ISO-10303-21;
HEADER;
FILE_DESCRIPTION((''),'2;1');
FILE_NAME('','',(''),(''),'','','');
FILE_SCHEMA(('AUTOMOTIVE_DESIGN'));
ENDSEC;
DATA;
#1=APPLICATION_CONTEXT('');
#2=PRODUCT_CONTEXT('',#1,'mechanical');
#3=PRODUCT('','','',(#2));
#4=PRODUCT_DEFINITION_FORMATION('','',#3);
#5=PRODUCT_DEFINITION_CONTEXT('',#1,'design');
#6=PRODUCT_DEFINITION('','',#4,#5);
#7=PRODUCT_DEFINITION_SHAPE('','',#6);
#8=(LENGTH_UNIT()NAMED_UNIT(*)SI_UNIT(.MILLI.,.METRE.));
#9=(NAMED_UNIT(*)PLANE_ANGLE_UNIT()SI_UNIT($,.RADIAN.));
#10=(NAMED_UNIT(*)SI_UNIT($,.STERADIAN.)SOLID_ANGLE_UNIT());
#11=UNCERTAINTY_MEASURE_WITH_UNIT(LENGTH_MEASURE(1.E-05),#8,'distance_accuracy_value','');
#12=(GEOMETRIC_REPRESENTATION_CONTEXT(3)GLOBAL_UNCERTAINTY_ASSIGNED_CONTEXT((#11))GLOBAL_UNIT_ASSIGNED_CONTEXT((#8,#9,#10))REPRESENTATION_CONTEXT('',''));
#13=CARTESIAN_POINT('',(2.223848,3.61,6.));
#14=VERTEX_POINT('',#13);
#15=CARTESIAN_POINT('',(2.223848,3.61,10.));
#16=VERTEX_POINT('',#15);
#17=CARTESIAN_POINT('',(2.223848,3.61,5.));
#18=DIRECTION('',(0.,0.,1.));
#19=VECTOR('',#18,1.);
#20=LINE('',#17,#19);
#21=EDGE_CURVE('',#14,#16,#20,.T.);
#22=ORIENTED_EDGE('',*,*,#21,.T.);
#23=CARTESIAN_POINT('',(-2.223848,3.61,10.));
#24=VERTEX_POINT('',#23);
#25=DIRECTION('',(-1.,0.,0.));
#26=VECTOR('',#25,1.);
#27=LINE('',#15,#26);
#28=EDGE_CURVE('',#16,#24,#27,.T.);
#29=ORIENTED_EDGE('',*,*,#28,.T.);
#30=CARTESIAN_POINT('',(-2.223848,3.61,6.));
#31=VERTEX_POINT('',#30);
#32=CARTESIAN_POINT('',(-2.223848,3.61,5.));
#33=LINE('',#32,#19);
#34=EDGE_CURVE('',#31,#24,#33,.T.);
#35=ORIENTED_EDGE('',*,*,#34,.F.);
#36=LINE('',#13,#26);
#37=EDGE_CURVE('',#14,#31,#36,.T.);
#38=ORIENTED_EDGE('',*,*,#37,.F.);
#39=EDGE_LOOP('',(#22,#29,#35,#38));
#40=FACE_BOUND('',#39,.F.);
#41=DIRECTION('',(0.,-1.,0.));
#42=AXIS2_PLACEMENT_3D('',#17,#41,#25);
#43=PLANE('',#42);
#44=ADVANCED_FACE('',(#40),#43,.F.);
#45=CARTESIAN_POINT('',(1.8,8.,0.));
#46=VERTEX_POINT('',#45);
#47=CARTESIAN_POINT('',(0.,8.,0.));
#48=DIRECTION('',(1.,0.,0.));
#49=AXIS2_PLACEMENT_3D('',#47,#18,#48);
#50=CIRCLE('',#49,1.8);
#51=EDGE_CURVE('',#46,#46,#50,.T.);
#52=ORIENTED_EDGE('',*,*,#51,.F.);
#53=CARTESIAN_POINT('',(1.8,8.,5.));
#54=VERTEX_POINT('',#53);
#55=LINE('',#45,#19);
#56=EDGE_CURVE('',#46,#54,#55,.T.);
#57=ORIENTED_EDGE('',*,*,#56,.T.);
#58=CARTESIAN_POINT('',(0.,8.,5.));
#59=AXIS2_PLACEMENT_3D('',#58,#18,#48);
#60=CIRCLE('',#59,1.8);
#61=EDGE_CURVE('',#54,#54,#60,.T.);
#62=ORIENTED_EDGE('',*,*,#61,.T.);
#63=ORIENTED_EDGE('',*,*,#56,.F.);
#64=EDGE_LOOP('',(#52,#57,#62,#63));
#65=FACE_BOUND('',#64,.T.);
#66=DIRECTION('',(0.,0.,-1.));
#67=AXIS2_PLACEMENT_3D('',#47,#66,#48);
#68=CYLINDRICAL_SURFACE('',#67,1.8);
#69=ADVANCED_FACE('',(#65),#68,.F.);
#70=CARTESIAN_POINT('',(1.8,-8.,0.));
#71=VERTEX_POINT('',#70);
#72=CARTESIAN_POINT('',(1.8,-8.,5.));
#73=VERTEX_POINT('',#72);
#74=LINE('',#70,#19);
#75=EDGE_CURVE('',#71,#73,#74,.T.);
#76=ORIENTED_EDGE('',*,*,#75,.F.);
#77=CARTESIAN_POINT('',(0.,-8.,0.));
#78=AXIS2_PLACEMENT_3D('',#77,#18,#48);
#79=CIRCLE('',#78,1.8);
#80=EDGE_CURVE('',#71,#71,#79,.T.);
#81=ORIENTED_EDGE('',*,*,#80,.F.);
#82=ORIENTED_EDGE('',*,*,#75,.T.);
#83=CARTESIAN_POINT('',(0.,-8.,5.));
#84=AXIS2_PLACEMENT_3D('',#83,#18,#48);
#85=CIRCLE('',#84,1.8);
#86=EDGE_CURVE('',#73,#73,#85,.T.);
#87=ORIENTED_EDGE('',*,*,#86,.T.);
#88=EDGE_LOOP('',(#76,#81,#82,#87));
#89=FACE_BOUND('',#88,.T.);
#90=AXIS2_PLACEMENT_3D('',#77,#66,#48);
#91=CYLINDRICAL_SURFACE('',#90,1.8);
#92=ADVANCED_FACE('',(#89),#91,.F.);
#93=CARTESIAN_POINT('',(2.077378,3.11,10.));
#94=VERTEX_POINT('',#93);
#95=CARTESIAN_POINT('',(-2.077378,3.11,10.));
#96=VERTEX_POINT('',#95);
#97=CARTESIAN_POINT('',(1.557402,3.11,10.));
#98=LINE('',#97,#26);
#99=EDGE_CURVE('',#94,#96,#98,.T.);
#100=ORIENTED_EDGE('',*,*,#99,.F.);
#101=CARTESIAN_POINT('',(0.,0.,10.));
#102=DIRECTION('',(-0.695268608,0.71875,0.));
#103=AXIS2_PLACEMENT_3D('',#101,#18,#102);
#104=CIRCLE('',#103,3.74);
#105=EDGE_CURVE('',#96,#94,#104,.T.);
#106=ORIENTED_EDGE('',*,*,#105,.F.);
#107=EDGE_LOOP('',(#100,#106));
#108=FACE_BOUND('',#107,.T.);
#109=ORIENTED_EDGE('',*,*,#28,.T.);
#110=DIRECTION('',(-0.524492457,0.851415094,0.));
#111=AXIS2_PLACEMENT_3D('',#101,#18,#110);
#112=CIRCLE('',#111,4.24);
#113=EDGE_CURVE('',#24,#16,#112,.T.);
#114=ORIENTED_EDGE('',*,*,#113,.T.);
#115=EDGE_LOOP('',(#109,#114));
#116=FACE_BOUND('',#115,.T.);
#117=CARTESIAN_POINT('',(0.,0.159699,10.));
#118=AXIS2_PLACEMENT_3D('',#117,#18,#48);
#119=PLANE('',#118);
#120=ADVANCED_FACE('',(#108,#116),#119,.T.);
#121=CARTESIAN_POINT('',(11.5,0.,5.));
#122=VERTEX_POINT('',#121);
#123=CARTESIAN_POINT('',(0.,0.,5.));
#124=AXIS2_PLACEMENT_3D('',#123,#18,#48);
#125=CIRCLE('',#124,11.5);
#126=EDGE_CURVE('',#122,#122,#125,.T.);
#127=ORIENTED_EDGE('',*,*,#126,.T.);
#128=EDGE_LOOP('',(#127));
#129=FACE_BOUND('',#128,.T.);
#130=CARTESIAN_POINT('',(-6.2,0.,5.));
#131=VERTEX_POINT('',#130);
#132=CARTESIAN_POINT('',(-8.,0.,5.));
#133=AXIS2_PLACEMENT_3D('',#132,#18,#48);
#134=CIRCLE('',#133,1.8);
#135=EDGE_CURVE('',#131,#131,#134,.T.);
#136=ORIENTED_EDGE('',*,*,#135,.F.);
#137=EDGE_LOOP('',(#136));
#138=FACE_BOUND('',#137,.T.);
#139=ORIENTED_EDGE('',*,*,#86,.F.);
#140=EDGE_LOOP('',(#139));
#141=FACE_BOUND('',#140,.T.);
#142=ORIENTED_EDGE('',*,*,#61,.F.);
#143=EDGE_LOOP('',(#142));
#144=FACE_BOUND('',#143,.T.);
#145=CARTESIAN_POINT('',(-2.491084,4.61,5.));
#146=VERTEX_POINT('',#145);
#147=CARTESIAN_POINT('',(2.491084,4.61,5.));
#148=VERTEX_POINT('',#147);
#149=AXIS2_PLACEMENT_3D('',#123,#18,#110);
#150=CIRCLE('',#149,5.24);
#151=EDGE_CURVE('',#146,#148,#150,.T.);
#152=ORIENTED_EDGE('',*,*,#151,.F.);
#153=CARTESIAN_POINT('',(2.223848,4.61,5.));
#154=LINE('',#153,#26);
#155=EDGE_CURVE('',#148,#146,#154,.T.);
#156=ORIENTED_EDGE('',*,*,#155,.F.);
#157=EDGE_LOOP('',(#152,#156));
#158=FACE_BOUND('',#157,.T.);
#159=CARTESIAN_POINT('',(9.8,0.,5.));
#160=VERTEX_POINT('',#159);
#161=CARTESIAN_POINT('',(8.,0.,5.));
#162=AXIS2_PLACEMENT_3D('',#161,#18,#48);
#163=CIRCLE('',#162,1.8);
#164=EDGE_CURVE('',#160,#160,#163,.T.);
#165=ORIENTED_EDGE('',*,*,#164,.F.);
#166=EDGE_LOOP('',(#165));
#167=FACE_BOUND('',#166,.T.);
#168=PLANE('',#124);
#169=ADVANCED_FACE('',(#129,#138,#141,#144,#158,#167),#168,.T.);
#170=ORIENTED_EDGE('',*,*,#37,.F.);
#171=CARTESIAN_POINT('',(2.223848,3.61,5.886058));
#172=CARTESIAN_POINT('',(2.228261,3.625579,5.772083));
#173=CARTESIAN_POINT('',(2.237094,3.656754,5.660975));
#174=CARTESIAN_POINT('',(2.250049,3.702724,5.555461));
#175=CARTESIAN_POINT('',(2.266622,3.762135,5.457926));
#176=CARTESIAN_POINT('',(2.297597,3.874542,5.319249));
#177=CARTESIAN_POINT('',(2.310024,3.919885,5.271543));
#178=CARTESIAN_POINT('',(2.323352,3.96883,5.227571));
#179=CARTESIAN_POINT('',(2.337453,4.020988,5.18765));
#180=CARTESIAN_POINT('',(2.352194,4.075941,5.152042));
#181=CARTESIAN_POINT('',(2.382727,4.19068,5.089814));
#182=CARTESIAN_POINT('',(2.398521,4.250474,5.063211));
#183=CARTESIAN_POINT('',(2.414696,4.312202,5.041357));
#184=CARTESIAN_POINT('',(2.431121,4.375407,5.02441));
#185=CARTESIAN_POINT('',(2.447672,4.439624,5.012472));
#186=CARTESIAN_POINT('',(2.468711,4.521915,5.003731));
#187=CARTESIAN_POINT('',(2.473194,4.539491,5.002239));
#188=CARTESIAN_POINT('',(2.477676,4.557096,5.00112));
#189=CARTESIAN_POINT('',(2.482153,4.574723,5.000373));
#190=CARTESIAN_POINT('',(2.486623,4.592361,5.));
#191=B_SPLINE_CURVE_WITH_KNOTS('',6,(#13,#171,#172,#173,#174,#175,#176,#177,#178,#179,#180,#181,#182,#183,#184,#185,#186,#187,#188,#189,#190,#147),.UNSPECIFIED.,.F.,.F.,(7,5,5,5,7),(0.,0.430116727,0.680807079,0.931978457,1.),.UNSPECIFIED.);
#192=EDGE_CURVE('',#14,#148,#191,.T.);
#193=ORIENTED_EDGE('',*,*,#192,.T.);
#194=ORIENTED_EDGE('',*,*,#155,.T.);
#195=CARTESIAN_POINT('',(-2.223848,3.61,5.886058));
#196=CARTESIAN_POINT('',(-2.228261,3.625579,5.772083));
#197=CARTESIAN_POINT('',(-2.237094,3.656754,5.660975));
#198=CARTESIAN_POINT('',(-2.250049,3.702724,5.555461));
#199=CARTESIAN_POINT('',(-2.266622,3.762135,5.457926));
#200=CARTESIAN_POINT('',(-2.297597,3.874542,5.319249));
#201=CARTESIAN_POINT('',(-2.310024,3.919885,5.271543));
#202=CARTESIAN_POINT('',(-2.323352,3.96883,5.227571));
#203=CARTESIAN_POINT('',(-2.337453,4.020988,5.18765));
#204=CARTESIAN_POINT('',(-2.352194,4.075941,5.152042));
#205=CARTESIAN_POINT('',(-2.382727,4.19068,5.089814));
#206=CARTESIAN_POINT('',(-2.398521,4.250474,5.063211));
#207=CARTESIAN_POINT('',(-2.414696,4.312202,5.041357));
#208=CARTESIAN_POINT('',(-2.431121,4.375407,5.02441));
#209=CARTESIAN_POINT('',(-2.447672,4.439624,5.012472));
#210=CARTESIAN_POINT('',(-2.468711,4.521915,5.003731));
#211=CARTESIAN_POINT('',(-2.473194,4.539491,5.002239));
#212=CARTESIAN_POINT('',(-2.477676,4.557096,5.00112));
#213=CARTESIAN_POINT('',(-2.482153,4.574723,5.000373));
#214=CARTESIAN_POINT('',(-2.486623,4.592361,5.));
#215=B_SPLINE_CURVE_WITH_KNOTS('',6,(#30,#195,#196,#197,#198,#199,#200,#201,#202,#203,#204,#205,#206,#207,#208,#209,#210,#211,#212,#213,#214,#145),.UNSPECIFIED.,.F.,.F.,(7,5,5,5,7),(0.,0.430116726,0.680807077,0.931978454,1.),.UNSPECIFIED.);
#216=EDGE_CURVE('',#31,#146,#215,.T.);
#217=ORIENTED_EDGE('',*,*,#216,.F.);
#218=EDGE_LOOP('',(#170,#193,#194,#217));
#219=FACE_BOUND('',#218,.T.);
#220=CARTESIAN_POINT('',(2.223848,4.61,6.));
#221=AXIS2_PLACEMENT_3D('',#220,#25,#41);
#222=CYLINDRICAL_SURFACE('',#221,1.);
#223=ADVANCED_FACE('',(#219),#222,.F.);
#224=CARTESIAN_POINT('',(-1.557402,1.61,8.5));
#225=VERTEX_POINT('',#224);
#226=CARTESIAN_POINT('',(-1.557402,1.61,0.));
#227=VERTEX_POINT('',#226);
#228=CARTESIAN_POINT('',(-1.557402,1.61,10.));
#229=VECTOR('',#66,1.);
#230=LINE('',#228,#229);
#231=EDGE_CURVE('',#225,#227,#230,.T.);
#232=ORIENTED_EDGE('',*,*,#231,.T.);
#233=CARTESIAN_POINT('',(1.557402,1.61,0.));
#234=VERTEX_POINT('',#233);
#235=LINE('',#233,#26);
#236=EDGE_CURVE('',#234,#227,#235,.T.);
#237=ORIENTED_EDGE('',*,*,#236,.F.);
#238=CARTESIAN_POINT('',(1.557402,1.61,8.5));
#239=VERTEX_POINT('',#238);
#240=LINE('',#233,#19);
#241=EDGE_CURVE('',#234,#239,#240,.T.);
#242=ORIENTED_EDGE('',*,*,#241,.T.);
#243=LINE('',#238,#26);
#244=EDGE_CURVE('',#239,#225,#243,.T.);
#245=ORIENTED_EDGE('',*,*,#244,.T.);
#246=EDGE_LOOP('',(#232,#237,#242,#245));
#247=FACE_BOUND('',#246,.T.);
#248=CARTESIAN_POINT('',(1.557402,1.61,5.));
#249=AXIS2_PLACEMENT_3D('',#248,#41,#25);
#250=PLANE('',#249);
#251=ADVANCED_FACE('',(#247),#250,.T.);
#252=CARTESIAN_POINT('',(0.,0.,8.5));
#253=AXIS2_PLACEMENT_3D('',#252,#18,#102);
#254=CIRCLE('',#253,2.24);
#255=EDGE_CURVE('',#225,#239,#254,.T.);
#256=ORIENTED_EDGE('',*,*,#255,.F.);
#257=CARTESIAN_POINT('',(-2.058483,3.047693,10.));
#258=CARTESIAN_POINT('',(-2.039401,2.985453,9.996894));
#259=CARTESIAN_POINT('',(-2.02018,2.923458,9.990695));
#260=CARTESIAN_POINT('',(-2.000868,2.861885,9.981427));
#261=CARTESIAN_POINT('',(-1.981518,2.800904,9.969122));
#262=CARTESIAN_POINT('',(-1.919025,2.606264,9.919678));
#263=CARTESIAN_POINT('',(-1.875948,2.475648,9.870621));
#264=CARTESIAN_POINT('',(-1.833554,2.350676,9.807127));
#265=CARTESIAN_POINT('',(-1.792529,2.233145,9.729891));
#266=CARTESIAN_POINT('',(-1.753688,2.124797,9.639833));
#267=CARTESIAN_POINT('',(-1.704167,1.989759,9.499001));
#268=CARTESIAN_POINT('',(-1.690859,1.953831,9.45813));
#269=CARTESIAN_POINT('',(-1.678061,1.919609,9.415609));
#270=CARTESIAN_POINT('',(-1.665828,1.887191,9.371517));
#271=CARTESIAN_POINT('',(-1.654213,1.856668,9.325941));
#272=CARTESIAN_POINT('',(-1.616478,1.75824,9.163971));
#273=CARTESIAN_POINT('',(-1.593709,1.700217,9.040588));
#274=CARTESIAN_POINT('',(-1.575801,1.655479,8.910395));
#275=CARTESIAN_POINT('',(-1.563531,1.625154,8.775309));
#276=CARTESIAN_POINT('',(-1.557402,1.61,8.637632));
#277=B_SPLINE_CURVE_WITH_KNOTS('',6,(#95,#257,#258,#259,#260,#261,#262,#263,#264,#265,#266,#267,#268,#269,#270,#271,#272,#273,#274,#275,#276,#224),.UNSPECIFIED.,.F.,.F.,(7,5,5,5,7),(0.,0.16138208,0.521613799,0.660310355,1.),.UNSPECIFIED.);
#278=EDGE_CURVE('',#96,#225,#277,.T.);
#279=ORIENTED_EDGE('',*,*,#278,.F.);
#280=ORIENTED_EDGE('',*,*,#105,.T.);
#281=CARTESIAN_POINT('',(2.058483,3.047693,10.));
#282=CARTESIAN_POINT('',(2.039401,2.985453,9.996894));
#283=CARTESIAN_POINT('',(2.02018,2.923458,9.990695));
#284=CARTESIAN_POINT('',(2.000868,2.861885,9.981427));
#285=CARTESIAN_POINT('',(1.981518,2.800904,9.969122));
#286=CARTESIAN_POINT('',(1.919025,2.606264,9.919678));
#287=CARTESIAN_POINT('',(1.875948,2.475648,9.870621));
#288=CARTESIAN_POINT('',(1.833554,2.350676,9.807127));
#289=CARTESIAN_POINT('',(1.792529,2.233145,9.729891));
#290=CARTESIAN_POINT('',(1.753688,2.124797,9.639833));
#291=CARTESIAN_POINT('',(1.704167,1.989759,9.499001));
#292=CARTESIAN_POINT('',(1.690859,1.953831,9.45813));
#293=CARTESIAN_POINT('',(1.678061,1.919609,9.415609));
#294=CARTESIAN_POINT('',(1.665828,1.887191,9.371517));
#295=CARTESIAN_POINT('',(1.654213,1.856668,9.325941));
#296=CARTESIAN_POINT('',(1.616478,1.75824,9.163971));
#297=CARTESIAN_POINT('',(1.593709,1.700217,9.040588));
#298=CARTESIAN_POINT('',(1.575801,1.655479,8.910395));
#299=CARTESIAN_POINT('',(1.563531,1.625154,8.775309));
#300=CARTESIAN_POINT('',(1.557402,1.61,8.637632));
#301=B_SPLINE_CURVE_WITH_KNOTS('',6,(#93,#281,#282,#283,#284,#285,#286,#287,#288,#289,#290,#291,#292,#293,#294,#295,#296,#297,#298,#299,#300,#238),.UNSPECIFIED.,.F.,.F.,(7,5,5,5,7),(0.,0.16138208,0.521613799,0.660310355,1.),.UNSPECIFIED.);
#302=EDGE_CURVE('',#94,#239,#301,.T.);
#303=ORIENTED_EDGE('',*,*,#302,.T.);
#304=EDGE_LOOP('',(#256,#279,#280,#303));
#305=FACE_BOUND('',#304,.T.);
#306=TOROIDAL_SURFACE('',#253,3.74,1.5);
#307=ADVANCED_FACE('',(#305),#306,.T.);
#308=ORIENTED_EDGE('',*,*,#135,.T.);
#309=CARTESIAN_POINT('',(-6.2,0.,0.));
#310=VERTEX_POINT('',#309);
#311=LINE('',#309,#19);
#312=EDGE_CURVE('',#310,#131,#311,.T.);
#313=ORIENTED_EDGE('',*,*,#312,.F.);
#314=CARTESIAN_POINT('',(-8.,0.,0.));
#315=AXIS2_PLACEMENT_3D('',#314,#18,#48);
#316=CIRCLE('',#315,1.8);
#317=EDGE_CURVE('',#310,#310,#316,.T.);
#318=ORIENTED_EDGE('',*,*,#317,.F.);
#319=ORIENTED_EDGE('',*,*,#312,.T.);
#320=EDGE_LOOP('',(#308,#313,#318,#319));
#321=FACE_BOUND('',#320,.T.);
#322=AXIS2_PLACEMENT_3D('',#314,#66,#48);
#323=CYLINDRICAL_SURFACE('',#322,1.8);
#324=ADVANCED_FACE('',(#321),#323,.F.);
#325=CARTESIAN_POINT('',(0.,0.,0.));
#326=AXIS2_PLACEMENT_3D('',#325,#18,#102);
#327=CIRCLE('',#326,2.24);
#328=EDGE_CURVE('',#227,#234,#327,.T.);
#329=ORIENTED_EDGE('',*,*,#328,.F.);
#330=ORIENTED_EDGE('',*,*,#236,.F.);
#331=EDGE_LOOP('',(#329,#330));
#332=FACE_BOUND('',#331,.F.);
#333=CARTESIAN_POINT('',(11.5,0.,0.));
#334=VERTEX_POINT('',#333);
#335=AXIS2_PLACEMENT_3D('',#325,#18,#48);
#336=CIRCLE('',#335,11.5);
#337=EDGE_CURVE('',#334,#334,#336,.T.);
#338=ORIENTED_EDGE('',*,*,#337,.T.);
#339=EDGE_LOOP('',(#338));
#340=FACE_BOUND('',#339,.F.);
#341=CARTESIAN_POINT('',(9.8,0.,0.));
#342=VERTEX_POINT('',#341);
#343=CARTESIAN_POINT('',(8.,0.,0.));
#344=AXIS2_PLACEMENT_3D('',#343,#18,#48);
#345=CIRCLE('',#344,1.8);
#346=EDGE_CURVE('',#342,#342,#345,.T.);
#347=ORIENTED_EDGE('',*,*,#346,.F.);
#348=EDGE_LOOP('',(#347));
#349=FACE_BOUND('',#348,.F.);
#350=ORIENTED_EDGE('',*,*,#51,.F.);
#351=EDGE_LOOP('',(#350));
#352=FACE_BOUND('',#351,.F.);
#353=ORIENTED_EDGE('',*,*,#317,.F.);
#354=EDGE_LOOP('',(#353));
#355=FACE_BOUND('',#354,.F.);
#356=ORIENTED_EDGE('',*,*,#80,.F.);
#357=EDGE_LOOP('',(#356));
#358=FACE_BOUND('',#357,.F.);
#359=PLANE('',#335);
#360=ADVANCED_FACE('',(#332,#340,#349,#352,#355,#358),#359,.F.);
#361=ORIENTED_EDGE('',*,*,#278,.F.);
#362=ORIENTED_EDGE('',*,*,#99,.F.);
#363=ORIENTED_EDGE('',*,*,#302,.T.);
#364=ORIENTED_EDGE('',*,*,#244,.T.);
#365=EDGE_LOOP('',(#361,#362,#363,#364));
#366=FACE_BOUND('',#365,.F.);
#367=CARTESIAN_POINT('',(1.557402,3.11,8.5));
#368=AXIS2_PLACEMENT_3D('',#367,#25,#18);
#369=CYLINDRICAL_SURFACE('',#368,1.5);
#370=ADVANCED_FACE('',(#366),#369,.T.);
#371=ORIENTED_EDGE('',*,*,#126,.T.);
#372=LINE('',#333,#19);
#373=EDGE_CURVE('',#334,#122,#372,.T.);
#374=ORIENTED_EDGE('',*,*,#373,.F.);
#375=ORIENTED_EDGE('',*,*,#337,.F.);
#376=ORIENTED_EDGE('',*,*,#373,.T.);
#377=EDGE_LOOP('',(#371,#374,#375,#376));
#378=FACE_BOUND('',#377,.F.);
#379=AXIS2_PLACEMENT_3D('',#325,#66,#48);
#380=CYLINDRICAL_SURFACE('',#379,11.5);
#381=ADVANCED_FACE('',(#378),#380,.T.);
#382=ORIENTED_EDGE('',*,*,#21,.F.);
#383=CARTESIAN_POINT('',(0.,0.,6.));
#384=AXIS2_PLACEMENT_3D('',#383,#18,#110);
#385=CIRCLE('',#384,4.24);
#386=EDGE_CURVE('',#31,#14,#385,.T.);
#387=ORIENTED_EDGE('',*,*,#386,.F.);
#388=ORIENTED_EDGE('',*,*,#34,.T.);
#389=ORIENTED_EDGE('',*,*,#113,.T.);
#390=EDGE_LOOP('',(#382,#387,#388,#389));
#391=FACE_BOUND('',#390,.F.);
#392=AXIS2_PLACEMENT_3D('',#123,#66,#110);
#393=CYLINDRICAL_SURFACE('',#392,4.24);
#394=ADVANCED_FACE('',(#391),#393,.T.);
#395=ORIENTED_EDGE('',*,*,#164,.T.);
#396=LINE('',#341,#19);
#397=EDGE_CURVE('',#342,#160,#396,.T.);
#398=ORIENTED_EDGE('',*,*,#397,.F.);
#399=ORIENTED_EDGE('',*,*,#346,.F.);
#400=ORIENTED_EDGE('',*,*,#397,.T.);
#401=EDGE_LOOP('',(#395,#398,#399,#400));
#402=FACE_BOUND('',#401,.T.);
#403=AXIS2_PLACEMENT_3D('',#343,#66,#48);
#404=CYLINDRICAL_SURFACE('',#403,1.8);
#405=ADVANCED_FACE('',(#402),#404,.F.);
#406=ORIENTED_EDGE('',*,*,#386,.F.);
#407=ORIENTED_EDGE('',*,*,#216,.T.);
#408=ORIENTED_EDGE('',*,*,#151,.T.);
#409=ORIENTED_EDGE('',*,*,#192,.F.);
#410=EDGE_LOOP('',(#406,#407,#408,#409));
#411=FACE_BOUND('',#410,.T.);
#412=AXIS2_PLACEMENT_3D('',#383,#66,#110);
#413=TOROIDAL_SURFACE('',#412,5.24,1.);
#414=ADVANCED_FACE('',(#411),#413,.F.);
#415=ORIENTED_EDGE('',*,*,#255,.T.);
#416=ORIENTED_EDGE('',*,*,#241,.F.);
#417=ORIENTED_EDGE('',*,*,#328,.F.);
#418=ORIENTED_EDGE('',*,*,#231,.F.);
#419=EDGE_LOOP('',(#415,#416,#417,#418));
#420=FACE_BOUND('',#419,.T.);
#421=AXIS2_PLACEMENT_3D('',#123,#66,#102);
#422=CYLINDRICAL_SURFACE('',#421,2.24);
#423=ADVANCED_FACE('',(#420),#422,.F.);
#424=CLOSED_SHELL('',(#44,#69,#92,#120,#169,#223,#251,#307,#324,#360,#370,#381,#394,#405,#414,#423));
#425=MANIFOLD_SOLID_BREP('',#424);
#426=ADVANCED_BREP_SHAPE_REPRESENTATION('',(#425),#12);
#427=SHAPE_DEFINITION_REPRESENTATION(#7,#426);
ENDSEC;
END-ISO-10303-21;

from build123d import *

# Parameters (mm, degrees)
SKETCH1_R           = 11.5
SKETCH1_R_2         = 1.8
BOSS_EXTRUDE1_DEPTH = 5
EXTRUDE_THIN1_START = 5
EXTRUDE_THIN1_DEPTH = 5
FILLET1_R           = 1
FILLET2_R           = 1.5


with BuildPart() as part:
    # Sketch1 → Boss-Extrude1 (new body)
    with BuildSketch(Plane.XY):
        Circle(SKETCH1_R)
        with Locations((0, 8)):
            Circle(SKETCH1_R_2, mode=Mode.SUBTRACT)
        with Locations((8, 0)):
            Circle(SKETCH1_R_2, mode=Mode.SUBTRACT)
        with Locations((0, -8)):
            Circle(SKETCH1_R_2, mode=Mode.SUBTRACT)
        with Locations((-8, 0)):
            Circle(SKETCH1_R_2, mode=Mode.SUBTRACT)
        with BuildLine():
            Line((1.557401682, 1.61), (-1.557401682, 1.61))
            ThreePointArc((-1.557401682, 1.61), (0, -2.24), (1.557401682, 1.61))
        make_face(mode=Mode.SUBTRACT)
    extrude(amount=BOSS_EXTRUDE1_DEPTH)

    # Sketch1<4> → Extrude-Thin1 (add)
    with BuildSketch(Plane.XY.offset(EXTRUDE_THIN1_START)):
        with BuildLine():
            Line((2.223848016, 3.61), (-2.223848016, 3.61))
            ThreePointArc((-2.223848016, 3.61), (0, -4.24), (2.223848016, 3.61))
        make_face()
        with BuildLine():
            Line((1.557401682, 1.61), (-1.557401682, 1.61))
            ThreePointArc((-1.557401682, 1.61), (0, -2.24), (1.557401682, 1.61))
        make_face(mode=Mode.SUBTRACT)
    extrude(amount=EXTRUDE_THIN1_DEPTH)

    # Fillet1
    fillet1_edges = [part.edges().sort_by_distance(p)[0] for p in [
        (0, 3.61, 5),
        (0, -4.24, 5),
    ]]
    fillet(fillet1_edges, radius=FILLET1_R)

    # Fillet2
    fillet2_edges = [part.edges().sort_by_distance(p)[0] for p in [
        (0, 1.61, 10),
        (0, -2.24, 10),
    ]]
    fillet(fillet2_edges, radius=FILLET2_R)


solid = part.part
